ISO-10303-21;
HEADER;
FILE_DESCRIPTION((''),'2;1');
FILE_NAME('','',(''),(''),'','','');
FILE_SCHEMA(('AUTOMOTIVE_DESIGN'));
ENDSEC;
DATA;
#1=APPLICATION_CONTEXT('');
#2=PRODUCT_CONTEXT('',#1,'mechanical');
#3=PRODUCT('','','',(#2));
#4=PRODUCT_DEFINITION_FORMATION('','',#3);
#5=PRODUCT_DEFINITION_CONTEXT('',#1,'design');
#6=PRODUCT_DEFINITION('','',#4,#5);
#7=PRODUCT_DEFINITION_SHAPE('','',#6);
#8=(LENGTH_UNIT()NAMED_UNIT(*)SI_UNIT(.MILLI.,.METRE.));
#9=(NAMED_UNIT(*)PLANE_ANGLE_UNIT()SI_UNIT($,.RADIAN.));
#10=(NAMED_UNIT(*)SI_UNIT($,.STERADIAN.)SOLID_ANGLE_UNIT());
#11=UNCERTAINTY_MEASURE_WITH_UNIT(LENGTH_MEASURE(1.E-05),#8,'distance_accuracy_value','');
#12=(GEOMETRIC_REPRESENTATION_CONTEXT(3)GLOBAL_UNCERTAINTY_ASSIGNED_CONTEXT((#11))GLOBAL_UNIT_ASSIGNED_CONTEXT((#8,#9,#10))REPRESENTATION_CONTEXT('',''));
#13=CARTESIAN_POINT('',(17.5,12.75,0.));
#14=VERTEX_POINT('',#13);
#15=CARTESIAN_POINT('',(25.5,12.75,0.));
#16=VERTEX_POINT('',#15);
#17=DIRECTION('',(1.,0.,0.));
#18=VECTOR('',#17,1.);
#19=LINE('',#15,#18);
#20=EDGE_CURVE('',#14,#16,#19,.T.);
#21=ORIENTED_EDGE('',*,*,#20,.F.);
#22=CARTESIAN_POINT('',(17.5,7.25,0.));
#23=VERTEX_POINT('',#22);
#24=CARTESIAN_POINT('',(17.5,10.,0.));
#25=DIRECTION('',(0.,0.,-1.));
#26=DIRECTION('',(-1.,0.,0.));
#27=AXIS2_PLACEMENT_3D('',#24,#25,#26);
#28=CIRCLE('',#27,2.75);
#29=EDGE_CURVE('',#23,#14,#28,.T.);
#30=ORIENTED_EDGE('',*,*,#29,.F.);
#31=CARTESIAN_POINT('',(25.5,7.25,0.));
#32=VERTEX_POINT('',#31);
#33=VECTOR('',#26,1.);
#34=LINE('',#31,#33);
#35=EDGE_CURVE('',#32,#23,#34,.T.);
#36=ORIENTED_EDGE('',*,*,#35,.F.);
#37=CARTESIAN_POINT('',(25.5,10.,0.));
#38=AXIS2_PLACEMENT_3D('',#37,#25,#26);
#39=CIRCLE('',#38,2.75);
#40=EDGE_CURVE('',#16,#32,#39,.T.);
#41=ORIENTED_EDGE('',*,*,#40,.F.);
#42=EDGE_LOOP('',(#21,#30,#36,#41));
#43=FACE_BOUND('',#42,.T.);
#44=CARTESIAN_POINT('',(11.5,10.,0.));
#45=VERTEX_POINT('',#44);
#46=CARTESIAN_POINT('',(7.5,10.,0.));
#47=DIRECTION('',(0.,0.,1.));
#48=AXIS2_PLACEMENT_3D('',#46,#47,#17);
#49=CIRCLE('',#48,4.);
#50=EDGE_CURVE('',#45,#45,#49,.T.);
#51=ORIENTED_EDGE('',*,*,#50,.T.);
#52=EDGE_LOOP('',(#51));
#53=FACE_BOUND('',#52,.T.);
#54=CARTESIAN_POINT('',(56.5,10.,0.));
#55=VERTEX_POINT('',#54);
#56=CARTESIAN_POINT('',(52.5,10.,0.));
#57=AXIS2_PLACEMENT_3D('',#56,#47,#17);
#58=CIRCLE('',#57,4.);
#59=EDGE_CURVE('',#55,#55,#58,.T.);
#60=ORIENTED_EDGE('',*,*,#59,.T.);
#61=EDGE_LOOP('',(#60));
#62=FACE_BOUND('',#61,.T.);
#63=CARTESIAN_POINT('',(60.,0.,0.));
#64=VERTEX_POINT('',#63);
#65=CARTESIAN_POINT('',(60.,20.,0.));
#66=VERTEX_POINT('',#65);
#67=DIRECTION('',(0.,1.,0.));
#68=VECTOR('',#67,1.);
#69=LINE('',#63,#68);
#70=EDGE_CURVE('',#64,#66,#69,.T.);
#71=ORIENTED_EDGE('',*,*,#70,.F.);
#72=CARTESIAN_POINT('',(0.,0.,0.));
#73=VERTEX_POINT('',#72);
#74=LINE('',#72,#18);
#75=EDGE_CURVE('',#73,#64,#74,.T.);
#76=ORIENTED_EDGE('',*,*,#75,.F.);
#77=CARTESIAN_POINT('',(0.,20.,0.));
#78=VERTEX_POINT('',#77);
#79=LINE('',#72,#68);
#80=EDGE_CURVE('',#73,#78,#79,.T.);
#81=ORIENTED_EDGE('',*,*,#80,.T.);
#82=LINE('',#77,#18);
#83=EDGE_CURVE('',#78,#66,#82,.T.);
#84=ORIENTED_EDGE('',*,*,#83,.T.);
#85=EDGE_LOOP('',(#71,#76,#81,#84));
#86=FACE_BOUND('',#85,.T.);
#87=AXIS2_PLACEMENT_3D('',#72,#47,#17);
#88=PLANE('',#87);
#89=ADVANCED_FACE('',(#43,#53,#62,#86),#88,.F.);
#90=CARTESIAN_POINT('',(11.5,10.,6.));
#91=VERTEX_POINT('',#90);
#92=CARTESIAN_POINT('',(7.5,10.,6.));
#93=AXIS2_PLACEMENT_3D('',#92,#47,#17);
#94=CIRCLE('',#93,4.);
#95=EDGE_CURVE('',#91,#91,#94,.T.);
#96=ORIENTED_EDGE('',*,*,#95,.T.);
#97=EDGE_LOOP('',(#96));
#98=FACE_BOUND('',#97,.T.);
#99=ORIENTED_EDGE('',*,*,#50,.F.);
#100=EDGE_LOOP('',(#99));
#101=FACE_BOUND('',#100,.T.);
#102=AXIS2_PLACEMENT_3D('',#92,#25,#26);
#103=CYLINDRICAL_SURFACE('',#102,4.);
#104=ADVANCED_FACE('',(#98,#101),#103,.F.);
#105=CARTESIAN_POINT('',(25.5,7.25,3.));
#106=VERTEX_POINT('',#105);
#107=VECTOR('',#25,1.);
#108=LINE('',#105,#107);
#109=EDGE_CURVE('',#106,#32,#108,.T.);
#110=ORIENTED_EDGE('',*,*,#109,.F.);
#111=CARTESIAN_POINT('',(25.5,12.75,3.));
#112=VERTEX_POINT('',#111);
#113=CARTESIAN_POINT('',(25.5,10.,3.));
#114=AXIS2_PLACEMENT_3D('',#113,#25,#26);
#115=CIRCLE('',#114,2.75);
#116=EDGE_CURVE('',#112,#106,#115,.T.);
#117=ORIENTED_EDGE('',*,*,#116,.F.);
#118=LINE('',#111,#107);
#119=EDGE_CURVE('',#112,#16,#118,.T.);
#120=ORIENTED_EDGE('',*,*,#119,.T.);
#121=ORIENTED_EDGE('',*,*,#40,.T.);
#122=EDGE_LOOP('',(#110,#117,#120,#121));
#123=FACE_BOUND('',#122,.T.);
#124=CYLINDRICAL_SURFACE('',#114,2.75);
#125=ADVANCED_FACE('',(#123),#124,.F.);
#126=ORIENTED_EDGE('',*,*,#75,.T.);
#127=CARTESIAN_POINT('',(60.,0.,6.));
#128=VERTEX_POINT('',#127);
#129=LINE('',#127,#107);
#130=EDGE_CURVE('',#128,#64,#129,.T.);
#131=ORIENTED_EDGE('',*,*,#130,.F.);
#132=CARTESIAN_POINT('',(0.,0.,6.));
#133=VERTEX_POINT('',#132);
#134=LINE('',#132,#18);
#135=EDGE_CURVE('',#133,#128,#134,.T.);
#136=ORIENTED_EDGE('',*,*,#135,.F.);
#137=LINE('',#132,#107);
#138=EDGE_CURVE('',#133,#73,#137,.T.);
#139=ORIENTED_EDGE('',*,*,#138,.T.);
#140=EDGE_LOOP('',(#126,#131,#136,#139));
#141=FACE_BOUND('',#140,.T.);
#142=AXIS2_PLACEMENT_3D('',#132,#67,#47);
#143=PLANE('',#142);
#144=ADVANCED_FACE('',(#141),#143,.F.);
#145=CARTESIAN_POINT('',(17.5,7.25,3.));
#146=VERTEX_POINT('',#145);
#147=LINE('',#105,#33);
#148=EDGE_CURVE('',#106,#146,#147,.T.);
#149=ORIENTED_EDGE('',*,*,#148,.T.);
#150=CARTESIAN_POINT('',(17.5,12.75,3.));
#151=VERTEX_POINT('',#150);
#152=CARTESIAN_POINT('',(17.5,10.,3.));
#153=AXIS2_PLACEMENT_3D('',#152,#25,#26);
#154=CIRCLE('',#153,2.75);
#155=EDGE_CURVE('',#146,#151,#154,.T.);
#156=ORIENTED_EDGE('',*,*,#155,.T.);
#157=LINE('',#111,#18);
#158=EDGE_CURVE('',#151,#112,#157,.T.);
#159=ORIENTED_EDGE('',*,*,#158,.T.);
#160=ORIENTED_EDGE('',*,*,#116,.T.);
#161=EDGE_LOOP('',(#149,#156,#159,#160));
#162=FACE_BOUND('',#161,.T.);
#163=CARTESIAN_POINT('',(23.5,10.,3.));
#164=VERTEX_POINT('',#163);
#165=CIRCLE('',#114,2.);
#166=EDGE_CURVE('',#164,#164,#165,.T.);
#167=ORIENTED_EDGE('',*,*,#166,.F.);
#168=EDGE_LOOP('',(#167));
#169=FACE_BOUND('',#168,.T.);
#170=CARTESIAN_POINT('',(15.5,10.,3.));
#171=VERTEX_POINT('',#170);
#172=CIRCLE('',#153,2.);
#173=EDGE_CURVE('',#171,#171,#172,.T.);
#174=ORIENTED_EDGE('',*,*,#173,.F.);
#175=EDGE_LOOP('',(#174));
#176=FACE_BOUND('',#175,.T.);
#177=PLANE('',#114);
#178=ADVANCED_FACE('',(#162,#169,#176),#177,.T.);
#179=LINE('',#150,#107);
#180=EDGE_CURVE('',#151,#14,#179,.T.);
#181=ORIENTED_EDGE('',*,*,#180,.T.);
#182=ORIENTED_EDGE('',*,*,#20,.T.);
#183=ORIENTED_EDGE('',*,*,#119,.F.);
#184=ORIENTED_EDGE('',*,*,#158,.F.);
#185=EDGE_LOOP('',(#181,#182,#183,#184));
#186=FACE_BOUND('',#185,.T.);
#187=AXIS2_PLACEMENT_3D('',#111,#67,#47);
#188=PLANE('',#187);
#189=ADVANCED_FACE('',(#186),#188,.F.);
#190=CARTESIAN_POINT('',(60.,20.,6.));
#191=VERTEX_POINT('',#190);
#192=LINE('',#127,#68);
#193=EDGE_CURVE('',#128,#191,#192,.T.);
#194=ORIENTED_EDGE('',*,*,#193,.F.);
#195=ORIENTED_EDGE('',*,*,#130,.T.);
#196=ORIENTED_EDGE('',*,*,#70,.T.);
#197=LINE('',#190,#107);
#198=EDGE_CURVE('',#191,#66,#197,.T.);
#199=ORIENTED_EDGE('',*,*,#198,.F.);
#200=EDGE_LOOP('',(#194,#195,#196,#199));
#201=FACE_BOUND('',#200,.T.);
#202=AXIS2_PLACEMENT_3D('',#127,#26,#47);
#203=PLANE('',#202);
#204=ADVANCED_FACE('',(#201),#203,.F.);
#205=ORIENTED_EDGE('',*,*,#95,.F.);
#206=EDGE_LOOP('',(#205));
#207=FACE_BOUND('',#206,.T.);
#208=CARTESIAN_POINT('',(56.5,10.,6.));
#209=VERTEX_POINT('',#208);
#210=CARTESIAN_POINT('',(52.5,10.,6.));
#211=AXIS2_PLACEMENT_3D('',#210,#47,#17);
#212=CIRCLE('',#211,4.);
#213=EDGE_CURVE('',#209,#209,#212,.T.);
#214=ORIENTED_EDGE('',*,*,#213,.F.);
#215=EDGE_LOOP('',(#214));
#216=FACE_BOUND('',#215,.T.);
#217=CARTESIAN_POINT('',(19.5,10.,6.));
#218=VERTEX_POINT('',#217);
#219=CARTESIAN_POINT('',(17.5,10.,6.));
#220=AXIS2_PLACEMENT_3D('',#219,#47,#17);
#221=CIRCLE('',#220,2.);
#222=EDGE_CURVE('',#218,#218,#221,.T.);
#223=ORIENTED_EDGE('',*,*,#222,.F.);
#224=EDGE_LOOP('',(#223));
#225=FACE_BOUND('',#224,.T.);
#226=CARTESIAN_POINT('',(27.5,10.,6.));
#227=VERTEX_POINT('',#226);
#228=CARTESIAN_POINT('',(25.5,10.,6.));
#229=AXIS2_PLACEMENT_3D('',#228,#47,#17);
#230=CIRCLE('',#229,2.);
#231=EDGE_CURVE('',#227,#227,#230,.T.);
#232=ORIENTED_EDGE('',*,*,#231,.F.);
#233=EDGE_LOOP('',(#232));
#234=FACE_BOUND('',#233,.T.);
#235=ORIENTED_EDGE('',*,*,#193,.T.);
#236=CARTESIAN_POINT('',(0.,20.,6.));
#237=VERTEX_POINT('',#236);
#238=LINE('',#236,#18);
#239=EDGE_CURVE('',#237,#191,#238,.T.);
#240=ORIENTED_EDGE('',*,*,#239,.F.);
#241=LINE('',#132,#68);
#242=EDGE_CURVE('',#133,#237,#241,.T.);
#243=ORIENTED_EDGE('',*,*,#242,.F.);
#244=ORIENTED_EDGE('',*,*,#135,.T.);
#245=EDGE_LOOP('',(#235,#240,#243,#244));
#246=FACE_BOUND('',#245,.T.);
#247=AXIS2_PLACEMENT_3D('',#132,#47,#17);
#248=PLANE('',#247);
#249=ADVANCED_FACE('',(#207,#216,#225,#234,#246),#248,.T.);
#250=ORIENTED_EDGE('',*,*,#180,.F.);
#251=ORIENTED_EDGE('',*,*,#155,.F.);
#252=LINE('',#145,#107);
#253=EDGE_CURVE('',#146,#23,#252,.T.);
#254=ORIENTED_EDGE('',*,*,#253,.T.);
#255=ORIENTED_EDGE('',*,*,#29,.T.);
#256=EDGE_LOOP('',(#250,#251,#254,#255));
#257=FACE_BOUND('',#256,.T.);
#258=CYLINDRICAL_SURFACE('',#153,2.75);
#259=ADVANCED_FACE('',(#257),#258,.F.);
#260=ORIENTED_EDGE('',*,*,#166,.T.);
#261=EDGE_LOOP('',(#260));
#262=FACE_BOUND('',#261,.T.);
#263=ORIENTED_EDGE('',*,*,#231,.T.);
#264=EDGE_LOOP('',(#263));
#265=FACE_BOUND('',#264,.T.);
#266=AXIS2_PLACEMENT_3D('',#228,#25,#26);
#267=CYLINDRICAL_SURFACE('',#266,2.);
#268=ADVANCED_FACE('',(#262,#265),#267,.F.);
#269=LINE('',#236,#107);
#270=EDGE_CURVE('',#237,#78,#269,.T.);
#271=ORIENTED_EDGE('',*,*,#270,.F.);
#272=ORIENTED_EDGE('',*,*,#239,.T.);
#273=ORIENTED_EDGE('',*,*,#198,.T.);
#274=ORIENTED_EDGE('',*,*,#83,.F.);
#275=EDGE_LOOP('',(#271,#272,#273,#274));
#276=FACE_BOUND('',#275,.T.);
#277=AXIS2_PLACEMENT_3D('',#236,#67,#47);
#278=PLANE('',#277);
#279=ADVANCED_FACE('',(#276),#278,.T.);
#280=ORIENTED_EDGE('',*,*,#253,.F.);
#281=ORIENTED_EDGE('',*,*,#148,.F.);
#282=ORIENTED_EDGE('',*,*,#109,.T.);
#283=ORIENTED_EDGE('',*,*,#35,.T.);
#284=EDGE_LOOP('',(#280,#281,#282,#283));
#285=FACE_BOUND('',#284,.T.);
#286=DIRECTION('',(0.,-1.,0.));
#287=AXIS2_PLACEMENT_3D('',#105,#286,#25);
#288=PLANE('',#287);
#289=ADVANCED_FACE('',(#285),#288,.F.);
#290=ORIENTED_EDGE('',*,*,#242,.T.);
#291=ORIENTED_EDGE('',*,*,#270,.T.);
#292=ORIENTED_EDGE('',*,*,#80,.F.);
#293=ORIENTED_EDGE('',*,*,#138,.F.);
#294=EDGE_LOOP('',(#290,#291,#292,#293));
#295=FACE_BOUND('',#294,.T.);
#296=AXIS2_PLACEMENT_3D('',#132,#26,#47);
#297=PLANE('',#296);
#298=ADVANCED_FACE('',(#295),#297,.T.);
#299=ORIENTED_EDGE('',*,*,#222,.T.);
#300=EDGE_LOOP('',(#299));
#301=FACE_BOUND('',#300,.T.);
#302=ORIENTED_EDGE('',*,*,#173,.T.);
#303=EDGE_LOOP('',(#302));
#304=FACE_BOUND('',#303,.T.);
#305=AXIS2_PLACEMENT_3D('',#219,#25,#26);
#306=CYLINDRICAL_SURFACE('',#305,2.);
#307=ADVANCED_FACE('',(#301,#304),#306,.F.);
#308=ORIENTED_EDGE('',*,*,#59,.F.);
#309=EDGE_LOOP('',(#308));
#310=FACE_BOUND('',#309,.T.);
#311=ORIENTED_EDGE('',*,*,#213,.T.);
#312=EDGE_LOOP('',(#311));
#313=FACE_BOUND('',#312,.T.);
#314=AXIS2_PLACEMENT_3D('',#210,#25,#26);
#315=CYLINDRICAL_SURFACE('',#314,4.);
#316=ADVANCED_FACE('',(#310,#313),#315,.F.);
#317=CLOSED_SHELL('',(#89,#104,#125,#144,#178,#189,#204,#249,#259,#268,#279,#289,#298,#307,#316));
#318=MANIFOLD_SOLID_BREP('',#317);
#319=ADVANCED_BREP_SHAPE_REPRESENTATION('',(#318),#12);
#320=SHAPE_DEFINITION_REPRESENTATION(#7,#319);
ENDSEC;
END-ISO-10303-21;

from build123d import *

# Parameters (mm, degrees)
SKETCH_1_W          = 60
SKETCH_1_H          = 20
SKETCH_1_R          = 4
SKETCH_1_R_2        = 2
EXTRUDE_1_DEPTH     = 6
CUT_EXTRUDE_1_DEPTH = 3


with BuildPart() as part:
    # 草圖1 → 填料-伸長1 (new body)
    with BuildSketch(Plane.XY):
        with Locations((30, 10)):
            Rectangle(SKETCH_1_W, SKETCH_1_H)
        with Locations((7.5, 10)):
            Circle(SKETCH_1_R, mode=Mode.SUBTRACT)
        with Locations((17.5, 10)):
            Circle(SKETCH_1_R_2, mode=Mode.SUBTRACT)
        with Locations((25.5, 10)):
            Circle(SKETCH_1_R_2, mode=Mode.SUBTRACT)
        with Locations((52.5, 10)):
            Circle(SKETCH_1_R, mode=Mode.SUBTRACT)
    extrude(amount=EXTRUDE_1_DEPTH)

    # 草圖3 → 除料-伸長1 (cut)
    with BuildSketch(Plane(origin=(0, 0, 0), x_dir=(-1, 0, 0), z_dir=(0, 0, -1))):
        with BuildLine():
            Line((-25.5, 12.75), (-17.5, 12.75))
            ThreePointArc((-17.5, 12.75), (-14.75, 10), (-17.5, 7.25))
            Line((-17.5, 7.25), (-25.5, 7.25))
            ThreePointArc((-25.5, 7.25), (-28.25, 10), (-25.5, 12.75))
        make_face()
    extrude(amount=-CUT_EXTRUDE_1_DEPTH, mode=Mode.SUBTRACT)


solid = part.part
